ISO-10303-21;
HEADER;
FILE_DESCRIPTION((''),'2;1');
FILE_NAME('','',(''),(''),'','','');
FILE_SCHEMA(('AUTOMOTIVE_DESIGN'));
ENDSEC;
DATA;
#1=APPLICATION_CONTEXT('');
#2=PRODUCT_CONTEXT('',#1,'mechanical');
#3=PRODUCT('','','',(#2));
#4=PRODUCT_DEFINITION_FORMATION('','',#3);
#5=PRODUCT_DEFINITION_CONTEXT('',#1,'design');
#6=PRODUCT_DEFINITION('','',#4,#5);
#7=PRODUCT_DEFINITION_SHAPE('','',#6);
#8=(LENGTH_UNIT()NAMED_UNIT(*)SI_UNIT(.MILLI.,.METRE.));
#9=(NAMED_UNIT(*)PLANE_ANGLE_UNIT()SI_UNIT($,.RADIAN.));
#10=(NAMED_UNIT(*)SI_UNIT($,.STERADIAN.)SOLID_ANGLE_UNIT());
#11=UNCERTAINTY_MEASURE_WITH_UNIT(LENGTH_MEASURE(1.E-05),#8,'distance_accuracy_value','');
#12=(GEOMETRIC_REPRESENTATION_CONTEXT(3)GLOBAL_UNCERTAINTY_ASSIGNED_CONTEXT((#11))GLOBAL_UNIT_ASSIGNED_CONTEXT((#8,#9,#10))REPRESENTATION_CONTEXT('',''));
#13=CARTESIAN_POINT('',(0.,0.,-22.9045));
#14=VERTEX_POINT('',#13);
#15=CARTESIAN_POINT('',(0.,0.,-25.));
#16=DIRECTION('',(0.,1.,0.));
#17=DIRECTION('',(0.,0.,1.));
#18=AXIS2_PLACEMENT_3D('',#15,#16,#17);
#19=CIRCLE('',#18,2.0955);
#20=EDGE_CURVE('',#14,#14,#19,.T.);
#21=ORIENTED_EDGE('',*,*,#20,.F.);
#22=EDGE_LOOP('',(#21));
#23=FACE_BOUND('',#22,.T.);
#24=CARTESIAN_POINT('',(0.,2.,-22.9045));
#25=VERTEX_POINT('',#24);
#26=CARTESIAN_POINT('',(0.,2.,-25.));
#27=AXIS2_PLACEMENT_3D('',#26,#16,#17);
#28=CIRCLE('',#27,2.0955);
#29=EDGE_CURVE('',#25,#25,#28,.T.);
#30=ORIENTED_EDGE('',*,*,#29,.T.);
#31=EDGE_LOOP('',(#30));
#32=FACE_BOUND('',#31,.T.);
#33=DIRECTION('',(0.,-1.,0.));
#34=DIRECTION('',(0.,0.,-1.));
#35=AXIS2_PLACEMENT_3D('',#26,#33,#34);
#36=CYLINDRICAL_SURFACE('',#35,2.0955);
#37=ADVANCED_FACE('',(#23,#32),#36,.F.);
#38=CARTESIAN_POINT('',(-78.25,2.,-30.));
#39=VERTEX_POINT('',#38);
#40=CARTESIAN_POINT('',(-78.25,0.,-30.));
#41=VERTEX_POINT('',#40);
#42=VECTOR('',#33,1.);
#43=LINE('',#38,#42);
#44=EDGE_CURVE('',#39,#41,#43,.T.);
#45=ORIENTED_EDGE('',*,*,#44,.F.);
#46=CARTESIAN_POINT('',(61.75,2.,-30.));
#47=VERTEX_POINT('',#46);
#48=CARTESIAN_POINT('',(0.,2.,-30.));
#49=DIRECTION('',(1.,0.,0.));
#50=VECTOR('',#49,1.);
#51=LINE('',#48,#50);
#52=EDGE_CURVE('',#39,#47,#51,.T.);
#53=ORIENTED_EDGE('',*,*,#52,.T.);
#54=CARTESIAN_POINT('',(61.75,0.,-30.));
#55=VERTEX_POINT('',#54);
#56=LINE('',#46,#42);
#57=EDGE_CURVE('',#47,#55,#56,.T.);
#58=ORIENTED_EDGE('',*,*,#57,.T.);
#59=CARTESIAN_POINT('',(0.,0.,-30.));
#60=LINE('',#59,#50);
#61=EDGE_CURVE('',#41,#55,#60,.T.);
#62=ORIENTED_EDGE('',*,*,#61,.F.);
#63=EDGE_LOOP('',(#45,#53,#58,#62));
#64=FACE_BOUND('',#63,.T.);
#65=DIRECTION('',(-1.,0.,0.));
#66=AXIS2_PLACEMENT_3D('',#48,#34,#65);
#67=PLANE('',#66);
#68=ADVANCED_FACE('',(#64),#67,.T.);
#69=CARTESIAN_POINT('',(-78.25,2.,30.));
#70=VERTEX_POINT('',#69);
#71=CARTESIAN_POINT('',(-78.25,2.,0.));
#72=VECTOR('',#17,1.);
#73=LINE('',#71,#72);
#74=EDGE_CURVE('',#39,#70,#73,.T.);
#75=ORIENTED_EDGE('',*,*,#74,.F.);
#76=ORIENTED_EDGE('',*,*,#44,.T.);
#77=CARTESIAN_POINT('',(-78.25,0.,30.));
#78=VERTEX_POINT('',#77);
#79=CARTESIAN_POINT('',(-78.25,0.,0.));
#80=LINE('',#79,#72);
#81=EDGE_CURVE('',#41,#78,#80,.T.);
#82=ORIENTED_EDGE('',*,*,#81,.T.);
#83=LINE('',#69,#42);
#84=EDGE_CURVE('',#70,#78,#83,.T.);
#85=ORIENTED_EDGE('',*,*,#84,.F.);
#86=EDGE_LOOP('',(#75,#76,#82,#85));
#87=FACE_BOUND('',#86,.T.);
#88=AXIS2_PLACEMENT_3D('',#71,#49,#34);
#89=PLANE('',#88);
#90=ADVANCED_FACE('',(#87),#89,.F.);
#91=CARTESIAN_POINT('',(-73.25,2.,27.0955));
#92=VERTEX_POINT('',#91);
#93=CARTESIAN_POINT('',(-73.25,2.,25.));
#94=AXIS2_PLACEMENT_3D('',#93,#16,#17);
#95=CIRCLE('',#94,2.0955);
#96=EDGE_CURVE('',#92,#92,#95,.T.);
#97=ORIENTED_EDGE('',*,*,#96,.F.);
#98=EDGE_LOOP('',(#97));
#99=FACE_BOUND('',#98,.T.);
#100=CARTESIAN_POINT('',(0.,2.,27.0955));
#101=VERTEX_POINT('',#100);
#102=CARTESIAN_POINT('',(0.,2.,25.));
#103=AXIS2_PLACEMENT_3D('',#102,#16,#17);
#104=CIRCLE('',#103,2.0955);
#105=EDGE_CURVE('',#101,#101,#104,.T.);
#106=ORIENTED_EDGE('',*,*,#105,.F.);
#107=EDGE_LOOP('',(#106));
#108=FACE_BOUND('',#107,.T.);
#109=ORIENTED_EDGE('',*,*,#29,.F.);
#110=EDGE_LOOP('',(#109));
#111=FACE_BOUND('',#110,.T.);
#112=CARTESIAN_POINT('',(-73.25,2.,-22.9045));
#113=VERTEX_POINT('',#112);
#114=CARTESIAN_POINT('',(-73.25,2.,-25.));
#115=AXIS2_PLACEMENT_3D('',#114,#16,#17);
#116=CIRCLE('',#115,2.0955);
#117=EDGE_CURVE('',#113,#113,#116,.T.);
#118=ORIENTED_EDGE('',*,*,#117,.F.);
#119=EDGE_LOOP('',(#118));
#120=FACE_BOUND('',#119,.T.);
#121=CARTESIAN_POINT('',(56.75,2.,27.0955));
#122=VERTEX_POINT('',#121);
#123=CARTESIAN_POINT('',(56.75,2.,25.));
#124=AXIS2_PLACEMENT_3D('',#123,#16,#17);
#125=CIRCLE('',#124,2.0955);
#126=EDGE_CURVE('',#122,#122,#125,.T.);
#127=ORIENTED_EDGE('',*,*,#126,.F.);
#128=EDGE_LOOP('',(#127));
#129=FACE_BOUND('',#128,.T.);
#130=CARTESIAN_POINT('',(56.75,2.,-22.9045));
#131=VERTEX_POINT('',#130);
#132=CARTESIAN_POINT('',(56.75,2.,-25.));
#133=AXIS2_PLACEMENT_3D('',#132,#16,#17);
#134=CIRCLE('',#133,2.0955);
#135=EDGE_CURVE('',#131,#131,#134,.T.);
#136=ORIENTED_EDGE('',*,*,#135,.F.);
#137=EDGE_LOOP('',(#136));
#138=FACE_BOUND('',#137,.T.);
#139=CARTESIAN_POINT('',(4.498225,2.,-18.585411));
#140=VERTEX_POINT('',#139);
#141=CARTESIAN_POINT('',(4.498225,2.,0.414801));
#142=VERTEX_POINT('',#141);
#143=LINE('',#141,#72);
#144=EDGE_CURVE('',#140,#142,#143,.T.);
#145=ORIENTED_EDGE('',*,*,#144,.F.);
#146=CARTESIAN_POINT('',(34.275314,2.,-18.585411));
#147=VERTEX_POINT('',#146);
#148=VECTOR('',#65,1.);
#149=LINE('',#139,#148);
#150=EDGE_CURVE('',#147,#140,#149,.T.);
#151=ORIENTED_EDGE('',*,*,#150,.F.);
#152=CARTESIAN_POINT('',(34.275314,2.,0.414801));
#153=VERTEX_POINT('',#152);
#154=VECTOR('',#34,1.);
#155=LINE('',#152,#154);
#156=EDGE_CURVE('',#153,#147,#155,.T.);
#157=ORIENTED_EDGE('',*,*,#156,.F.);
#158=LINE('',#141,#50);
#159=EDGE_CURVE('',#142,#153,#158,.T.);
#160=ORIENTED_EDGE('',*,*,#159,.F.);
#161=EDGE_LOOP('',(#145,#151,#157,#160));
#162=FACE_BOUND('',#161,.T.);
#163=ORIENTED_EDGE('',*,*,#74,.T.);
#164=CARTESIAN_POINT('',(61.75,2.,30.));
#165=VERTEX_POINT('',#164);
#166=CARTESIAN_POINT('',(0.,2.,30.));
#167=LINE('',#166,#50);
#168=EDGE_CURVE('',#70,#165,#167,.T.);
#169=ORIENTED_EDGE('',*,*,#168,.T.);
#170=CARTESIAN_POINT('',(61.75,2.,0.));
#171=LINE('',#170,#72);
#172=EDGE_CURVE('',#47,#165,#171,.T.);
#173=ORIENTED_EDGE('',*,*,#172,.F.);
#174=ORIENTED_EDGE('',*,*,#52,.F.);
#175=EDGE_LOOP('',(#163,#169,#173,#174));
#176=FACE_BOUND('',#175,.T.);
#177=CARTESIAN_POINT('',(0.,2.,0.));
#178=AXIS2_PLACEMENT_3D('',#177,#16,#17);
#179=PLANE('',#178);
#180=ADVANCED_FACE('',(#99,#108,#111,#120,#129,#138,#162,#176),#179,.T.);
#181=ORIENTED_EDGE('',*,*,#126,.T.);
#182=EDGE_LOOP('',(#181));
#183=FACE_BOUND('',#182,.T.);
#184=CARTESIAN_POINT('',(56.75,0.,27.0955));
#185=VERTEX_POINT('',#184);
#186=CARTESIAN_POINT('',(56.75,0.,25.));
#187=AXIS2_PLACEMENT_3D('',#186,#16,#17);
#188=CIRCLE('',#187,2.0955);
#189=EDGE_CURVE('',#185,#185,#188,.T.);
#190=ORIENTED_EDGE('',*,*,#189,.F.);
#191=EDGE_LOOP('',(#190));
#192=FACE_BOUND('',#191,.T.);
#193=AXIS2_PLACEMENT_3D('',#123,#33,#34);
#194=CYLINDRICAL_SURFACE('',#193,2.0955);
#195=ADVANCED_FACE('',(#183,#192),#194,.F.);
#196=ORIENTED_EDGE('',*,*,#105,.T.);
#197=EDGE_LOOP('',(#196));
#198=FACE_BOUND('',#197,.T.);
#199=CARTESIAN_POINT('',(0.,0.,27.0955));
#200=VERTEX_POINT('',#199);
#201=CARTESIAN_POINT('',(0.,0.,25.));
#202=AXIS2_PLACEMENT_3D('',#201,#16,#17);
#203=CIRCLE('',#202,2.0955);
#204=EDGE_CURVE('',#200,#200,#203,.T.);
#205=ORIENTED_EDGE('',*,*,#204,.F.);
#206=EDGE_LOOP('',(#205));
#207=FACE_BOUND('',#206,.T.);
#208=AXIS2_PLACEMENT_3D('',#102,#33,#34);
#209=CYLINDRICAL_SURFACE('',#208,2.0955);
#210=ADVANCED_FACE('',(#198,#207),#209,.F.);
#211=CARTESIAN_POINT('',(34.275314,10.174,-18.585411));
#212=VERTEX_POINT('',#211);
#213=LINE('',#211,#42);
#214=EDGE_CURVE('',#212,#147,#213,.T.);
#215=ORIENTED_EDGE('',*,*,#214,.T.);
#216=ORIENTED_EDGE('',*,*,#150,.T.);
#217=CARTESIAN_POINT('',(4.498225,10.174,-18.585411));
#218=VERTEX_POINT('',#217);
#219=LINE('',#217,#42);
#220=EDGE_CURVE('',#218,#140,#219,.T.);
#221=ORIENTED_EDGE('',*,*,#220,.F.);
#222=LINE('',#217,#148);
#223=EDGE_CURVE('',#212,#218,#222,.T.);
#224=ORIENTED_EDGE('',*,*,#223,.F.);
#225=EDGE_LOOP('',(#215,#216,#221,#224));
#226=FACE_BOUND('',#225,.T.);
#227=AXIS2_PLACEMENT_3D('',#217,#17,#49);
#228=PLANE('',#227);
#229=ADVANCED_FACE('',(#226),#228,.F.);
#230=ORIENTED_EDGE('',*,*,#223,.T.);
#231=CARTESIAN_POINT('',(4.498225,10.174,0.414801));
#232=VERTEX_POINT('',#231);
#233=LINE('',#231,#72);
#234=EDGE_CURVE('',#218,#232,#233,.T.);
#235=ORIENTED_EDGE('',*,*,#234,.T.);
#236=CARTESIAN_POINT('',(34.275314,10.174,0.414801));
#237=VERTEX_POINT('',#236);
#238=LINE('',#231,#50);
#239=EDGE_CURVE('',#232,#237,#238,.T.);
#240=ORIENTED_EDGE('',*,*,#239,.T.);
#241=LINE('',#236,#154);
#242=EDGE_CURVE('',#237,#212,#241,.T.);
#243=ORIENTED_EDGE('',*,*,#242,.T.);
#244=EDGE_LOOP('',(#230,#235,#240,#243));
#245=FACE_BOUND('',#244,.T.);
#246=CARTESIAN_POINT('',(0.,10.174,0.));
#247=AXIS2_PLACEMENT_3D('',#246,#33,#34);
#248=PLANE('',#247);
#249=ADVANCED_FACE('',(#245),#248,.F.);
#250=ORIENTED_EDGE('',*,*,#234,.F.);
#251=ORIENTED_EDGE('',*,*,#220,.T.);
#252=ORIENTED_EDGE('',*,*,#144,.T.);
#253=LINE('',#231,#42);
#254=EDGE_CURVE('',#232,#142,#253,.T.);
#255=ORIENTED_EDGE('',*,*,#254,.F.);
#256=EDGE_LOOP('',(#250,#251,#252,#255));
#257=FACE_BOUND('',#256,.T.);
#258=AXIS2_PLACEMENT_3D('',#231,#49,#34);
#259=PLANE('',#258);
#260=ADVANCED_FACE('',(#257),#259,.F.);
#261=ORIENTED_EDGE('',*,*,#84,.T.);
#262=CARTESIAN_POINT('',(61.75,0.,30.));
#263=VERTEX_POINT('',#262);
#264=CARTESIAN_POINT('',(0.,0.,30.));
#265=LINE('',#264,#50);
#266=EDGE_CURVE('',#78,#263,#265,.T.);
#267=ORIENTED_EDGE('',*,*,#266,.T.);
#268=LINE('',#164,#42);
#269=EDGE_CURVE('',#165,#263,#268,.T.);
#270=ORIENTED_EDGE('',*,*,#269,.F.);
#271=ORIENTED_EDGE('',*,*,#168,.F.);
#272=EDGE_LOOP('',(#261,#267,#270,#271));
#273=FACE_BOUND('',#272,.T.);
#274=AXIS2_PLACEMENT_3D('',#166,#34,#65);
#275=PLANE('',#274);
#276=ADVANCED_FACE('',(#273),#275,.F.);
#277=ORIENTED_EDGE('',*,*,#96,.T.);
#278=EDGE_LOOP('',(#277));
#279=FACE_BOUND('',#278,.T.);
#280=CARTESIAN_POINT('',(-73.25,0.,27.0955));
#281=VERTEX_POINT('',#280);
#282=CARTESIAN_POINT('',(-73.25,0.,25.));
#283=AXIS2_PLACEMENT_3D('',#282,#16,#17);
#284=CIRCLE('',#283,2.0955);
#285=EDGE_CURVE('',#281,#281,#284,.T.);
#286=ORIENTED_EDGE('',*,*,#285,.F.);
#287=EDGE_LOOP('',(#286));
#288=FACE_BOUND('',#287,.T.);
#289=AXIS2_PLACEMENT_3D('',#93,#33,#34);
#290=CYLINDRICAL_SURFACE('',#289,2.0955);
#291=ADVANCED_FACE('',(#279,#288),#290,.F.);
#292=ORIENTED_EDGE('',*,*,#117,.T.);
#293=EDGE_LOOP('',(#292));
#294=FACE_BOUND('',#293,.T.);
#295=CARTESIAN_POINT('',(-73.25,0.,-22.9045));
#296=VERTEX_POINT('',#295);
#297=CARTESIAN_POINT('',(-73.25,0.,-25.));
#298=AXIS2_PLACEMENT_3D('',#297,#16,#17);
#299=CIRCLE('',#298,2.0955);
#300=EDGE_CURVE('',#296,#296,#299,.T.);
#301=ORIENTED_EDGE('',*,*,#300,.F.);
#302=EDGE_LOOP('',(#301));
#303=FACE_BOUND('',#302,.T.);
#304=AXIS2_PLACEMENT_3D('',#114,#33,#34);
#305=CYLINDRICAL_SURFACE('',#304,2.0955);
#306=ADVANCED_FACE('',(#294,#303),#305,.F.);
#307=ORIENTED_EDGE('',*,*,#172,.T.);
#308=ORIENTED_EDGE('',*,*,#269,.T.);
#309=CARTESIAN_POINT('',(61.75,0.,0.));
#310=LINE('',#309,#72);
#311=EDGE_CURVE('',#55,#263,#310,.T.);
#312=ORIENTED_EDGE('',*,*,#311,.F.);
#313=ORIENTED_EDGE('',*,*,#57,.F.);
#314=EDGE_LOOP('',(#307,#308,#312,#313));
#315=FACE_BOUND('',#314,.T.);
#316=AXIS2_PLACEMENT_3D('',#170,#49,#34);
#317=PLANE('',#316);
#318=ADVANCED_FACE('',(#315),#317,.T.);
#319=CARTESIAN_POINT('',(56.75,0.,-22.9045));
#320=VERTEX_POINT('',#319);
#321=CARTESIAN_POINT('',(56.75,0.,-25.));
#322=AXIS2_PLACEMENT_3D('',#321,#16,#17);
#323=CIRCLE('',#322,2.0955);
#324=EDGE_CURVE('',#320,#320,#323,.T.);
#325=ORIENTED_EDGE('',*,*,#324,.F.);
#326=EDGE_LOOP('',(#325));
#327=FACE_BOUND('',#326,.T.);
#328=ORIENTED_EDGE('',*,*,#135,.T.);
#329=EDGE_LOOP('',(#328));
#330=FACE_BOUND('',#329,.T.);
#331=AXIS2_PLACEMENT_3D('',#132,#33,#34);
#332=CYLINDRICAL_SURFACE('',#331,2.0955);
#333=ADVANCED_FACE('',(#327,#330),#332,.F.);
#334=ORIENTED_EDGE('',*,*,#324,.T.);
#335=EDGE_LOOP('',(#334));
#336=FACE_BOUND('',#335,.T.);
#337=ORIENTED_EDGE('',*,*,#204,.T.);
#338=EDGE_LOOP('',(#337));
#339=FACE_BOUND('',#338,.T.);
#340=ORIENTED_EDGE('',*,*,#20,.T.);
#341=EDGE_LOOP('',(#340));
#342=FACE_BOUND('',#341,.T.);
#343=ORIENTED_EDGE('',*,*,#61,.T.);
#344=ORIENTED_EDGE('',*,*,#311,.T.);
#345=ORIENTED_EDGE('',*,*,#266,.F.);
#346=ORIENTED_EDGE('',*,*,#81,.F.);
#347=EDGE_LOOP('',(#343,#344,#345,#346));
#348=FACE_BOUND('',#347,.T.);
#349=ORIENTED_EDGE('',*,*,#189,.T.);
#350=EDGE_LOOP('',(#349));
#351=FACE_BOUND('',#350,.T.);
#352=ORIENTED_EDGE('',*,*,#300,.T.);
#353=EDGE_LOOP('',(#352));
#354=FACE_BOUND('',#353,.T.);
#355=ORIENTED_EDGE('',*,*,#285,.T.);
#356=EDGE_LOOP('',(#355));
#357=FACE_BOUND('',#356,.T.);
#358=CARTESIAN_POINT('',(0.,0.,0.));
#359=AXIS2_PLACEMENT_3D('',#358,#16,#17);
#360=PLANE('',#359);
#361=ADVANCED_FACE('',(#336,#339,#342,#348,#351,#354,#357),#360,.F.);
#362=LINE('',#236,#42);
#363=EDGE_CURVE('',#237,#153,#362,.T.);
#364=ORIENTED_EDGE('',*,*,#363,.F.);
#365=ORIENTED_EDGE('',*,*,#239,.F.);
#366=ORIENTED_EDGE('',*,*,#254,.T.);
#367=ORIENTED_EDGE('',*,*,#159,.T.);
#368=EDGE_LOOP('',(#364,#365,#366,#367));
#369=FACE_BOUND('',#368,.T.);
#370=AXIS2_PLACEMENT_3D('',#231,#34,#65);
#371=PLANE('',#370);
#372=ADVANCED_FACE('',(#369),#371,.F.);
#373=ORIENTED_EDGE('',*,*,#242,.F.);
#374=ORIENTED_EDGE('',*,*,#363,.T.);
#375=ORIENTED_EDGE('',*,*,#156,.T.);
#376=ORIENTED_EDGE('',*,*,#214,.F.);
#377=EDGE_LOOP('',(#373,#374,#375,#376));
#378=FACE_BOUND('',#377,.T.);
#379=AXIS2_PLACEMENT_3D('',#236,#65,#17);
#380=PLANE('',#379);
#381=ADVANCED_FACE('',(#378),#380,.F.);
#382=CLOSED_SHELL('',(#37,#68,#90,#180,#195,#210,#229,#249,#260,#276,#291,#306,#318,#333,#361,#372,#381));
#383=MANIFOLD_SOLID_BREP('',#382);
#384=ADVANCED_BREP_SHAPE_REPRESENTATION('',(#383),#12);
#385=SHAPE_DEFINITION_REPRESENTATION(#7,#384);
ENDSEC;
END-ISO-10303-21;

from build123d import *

# Parameters (mm, degrees)
SKETCH1_W           = 140
SKETCH1_H           = 60
SKETCH1_R           = 2.0955
BOSS_EXTRUDE1_DEPTH = 2
SKETCH2_W           = 29.777089478
SKETCH2_H           = 19.000212295
BOSS_EXTRUDE2_DEPTH = 8.174


with BuildPart() as part:
    # Sketch1 → Boss-Extrude1 (new body)
    with BuildSketch(Plane(origin=(0, 0, 0), x_dir=(1, 0, 0), z_dir=(0, 1, 0))):
        with Locations((-8.25, 0)):
            Rectangle(SKETCH1_W, SKETCH1_H)
        with Locations(Location((-73.25, 25, 0), (0, 0, 270))):
            Circle(SKETCH1_R, mode=Mode.SUBTRACT)
        with Locations(Location((-73.25, -25, 0), (0, 0, 270))):
            Circle(SKETCH1_R, mode=Mode.SUBTRACT)
        with Locations(Location((0, 25, 0), (0, 0, 270))):
            Circle(SKETCH1_R, mode=Mode.SUBTRACT)
        with Locations(Location((0, -25, 0), (0, 0, 270))):
            Circle(SKETCH1_R, mode=Mode.SUBTRACT)
        with Locations(Location((56.75, 25, 0), (0, 0, 270))):
            Circle(SKETCH1_R, mode=Mode.SUBTRACT)
        with Locations(Location((56.75, -25, 0), (0, 0, 270))):
            Circle(SKETCH1_R, mode=Mode.SUBTRACT)
    extrude(amount=BOSS_EXTRUDE1_DEPTH)

    # Sketch2 → Boss-Extrude2 (add)
    with BuildSketch(Plane(origin=(0, 2, 0), x_dir=(1, 0, 0), z_dir=(0, 1, 0))):
        with Locations((19.386769675, 9.085304713)):
            Rectangle(SKETCH2_W, SKETCH2_H)
    extrude(amount=BOSS_EXTRUDE2_DEPTH)


solid = part.part
